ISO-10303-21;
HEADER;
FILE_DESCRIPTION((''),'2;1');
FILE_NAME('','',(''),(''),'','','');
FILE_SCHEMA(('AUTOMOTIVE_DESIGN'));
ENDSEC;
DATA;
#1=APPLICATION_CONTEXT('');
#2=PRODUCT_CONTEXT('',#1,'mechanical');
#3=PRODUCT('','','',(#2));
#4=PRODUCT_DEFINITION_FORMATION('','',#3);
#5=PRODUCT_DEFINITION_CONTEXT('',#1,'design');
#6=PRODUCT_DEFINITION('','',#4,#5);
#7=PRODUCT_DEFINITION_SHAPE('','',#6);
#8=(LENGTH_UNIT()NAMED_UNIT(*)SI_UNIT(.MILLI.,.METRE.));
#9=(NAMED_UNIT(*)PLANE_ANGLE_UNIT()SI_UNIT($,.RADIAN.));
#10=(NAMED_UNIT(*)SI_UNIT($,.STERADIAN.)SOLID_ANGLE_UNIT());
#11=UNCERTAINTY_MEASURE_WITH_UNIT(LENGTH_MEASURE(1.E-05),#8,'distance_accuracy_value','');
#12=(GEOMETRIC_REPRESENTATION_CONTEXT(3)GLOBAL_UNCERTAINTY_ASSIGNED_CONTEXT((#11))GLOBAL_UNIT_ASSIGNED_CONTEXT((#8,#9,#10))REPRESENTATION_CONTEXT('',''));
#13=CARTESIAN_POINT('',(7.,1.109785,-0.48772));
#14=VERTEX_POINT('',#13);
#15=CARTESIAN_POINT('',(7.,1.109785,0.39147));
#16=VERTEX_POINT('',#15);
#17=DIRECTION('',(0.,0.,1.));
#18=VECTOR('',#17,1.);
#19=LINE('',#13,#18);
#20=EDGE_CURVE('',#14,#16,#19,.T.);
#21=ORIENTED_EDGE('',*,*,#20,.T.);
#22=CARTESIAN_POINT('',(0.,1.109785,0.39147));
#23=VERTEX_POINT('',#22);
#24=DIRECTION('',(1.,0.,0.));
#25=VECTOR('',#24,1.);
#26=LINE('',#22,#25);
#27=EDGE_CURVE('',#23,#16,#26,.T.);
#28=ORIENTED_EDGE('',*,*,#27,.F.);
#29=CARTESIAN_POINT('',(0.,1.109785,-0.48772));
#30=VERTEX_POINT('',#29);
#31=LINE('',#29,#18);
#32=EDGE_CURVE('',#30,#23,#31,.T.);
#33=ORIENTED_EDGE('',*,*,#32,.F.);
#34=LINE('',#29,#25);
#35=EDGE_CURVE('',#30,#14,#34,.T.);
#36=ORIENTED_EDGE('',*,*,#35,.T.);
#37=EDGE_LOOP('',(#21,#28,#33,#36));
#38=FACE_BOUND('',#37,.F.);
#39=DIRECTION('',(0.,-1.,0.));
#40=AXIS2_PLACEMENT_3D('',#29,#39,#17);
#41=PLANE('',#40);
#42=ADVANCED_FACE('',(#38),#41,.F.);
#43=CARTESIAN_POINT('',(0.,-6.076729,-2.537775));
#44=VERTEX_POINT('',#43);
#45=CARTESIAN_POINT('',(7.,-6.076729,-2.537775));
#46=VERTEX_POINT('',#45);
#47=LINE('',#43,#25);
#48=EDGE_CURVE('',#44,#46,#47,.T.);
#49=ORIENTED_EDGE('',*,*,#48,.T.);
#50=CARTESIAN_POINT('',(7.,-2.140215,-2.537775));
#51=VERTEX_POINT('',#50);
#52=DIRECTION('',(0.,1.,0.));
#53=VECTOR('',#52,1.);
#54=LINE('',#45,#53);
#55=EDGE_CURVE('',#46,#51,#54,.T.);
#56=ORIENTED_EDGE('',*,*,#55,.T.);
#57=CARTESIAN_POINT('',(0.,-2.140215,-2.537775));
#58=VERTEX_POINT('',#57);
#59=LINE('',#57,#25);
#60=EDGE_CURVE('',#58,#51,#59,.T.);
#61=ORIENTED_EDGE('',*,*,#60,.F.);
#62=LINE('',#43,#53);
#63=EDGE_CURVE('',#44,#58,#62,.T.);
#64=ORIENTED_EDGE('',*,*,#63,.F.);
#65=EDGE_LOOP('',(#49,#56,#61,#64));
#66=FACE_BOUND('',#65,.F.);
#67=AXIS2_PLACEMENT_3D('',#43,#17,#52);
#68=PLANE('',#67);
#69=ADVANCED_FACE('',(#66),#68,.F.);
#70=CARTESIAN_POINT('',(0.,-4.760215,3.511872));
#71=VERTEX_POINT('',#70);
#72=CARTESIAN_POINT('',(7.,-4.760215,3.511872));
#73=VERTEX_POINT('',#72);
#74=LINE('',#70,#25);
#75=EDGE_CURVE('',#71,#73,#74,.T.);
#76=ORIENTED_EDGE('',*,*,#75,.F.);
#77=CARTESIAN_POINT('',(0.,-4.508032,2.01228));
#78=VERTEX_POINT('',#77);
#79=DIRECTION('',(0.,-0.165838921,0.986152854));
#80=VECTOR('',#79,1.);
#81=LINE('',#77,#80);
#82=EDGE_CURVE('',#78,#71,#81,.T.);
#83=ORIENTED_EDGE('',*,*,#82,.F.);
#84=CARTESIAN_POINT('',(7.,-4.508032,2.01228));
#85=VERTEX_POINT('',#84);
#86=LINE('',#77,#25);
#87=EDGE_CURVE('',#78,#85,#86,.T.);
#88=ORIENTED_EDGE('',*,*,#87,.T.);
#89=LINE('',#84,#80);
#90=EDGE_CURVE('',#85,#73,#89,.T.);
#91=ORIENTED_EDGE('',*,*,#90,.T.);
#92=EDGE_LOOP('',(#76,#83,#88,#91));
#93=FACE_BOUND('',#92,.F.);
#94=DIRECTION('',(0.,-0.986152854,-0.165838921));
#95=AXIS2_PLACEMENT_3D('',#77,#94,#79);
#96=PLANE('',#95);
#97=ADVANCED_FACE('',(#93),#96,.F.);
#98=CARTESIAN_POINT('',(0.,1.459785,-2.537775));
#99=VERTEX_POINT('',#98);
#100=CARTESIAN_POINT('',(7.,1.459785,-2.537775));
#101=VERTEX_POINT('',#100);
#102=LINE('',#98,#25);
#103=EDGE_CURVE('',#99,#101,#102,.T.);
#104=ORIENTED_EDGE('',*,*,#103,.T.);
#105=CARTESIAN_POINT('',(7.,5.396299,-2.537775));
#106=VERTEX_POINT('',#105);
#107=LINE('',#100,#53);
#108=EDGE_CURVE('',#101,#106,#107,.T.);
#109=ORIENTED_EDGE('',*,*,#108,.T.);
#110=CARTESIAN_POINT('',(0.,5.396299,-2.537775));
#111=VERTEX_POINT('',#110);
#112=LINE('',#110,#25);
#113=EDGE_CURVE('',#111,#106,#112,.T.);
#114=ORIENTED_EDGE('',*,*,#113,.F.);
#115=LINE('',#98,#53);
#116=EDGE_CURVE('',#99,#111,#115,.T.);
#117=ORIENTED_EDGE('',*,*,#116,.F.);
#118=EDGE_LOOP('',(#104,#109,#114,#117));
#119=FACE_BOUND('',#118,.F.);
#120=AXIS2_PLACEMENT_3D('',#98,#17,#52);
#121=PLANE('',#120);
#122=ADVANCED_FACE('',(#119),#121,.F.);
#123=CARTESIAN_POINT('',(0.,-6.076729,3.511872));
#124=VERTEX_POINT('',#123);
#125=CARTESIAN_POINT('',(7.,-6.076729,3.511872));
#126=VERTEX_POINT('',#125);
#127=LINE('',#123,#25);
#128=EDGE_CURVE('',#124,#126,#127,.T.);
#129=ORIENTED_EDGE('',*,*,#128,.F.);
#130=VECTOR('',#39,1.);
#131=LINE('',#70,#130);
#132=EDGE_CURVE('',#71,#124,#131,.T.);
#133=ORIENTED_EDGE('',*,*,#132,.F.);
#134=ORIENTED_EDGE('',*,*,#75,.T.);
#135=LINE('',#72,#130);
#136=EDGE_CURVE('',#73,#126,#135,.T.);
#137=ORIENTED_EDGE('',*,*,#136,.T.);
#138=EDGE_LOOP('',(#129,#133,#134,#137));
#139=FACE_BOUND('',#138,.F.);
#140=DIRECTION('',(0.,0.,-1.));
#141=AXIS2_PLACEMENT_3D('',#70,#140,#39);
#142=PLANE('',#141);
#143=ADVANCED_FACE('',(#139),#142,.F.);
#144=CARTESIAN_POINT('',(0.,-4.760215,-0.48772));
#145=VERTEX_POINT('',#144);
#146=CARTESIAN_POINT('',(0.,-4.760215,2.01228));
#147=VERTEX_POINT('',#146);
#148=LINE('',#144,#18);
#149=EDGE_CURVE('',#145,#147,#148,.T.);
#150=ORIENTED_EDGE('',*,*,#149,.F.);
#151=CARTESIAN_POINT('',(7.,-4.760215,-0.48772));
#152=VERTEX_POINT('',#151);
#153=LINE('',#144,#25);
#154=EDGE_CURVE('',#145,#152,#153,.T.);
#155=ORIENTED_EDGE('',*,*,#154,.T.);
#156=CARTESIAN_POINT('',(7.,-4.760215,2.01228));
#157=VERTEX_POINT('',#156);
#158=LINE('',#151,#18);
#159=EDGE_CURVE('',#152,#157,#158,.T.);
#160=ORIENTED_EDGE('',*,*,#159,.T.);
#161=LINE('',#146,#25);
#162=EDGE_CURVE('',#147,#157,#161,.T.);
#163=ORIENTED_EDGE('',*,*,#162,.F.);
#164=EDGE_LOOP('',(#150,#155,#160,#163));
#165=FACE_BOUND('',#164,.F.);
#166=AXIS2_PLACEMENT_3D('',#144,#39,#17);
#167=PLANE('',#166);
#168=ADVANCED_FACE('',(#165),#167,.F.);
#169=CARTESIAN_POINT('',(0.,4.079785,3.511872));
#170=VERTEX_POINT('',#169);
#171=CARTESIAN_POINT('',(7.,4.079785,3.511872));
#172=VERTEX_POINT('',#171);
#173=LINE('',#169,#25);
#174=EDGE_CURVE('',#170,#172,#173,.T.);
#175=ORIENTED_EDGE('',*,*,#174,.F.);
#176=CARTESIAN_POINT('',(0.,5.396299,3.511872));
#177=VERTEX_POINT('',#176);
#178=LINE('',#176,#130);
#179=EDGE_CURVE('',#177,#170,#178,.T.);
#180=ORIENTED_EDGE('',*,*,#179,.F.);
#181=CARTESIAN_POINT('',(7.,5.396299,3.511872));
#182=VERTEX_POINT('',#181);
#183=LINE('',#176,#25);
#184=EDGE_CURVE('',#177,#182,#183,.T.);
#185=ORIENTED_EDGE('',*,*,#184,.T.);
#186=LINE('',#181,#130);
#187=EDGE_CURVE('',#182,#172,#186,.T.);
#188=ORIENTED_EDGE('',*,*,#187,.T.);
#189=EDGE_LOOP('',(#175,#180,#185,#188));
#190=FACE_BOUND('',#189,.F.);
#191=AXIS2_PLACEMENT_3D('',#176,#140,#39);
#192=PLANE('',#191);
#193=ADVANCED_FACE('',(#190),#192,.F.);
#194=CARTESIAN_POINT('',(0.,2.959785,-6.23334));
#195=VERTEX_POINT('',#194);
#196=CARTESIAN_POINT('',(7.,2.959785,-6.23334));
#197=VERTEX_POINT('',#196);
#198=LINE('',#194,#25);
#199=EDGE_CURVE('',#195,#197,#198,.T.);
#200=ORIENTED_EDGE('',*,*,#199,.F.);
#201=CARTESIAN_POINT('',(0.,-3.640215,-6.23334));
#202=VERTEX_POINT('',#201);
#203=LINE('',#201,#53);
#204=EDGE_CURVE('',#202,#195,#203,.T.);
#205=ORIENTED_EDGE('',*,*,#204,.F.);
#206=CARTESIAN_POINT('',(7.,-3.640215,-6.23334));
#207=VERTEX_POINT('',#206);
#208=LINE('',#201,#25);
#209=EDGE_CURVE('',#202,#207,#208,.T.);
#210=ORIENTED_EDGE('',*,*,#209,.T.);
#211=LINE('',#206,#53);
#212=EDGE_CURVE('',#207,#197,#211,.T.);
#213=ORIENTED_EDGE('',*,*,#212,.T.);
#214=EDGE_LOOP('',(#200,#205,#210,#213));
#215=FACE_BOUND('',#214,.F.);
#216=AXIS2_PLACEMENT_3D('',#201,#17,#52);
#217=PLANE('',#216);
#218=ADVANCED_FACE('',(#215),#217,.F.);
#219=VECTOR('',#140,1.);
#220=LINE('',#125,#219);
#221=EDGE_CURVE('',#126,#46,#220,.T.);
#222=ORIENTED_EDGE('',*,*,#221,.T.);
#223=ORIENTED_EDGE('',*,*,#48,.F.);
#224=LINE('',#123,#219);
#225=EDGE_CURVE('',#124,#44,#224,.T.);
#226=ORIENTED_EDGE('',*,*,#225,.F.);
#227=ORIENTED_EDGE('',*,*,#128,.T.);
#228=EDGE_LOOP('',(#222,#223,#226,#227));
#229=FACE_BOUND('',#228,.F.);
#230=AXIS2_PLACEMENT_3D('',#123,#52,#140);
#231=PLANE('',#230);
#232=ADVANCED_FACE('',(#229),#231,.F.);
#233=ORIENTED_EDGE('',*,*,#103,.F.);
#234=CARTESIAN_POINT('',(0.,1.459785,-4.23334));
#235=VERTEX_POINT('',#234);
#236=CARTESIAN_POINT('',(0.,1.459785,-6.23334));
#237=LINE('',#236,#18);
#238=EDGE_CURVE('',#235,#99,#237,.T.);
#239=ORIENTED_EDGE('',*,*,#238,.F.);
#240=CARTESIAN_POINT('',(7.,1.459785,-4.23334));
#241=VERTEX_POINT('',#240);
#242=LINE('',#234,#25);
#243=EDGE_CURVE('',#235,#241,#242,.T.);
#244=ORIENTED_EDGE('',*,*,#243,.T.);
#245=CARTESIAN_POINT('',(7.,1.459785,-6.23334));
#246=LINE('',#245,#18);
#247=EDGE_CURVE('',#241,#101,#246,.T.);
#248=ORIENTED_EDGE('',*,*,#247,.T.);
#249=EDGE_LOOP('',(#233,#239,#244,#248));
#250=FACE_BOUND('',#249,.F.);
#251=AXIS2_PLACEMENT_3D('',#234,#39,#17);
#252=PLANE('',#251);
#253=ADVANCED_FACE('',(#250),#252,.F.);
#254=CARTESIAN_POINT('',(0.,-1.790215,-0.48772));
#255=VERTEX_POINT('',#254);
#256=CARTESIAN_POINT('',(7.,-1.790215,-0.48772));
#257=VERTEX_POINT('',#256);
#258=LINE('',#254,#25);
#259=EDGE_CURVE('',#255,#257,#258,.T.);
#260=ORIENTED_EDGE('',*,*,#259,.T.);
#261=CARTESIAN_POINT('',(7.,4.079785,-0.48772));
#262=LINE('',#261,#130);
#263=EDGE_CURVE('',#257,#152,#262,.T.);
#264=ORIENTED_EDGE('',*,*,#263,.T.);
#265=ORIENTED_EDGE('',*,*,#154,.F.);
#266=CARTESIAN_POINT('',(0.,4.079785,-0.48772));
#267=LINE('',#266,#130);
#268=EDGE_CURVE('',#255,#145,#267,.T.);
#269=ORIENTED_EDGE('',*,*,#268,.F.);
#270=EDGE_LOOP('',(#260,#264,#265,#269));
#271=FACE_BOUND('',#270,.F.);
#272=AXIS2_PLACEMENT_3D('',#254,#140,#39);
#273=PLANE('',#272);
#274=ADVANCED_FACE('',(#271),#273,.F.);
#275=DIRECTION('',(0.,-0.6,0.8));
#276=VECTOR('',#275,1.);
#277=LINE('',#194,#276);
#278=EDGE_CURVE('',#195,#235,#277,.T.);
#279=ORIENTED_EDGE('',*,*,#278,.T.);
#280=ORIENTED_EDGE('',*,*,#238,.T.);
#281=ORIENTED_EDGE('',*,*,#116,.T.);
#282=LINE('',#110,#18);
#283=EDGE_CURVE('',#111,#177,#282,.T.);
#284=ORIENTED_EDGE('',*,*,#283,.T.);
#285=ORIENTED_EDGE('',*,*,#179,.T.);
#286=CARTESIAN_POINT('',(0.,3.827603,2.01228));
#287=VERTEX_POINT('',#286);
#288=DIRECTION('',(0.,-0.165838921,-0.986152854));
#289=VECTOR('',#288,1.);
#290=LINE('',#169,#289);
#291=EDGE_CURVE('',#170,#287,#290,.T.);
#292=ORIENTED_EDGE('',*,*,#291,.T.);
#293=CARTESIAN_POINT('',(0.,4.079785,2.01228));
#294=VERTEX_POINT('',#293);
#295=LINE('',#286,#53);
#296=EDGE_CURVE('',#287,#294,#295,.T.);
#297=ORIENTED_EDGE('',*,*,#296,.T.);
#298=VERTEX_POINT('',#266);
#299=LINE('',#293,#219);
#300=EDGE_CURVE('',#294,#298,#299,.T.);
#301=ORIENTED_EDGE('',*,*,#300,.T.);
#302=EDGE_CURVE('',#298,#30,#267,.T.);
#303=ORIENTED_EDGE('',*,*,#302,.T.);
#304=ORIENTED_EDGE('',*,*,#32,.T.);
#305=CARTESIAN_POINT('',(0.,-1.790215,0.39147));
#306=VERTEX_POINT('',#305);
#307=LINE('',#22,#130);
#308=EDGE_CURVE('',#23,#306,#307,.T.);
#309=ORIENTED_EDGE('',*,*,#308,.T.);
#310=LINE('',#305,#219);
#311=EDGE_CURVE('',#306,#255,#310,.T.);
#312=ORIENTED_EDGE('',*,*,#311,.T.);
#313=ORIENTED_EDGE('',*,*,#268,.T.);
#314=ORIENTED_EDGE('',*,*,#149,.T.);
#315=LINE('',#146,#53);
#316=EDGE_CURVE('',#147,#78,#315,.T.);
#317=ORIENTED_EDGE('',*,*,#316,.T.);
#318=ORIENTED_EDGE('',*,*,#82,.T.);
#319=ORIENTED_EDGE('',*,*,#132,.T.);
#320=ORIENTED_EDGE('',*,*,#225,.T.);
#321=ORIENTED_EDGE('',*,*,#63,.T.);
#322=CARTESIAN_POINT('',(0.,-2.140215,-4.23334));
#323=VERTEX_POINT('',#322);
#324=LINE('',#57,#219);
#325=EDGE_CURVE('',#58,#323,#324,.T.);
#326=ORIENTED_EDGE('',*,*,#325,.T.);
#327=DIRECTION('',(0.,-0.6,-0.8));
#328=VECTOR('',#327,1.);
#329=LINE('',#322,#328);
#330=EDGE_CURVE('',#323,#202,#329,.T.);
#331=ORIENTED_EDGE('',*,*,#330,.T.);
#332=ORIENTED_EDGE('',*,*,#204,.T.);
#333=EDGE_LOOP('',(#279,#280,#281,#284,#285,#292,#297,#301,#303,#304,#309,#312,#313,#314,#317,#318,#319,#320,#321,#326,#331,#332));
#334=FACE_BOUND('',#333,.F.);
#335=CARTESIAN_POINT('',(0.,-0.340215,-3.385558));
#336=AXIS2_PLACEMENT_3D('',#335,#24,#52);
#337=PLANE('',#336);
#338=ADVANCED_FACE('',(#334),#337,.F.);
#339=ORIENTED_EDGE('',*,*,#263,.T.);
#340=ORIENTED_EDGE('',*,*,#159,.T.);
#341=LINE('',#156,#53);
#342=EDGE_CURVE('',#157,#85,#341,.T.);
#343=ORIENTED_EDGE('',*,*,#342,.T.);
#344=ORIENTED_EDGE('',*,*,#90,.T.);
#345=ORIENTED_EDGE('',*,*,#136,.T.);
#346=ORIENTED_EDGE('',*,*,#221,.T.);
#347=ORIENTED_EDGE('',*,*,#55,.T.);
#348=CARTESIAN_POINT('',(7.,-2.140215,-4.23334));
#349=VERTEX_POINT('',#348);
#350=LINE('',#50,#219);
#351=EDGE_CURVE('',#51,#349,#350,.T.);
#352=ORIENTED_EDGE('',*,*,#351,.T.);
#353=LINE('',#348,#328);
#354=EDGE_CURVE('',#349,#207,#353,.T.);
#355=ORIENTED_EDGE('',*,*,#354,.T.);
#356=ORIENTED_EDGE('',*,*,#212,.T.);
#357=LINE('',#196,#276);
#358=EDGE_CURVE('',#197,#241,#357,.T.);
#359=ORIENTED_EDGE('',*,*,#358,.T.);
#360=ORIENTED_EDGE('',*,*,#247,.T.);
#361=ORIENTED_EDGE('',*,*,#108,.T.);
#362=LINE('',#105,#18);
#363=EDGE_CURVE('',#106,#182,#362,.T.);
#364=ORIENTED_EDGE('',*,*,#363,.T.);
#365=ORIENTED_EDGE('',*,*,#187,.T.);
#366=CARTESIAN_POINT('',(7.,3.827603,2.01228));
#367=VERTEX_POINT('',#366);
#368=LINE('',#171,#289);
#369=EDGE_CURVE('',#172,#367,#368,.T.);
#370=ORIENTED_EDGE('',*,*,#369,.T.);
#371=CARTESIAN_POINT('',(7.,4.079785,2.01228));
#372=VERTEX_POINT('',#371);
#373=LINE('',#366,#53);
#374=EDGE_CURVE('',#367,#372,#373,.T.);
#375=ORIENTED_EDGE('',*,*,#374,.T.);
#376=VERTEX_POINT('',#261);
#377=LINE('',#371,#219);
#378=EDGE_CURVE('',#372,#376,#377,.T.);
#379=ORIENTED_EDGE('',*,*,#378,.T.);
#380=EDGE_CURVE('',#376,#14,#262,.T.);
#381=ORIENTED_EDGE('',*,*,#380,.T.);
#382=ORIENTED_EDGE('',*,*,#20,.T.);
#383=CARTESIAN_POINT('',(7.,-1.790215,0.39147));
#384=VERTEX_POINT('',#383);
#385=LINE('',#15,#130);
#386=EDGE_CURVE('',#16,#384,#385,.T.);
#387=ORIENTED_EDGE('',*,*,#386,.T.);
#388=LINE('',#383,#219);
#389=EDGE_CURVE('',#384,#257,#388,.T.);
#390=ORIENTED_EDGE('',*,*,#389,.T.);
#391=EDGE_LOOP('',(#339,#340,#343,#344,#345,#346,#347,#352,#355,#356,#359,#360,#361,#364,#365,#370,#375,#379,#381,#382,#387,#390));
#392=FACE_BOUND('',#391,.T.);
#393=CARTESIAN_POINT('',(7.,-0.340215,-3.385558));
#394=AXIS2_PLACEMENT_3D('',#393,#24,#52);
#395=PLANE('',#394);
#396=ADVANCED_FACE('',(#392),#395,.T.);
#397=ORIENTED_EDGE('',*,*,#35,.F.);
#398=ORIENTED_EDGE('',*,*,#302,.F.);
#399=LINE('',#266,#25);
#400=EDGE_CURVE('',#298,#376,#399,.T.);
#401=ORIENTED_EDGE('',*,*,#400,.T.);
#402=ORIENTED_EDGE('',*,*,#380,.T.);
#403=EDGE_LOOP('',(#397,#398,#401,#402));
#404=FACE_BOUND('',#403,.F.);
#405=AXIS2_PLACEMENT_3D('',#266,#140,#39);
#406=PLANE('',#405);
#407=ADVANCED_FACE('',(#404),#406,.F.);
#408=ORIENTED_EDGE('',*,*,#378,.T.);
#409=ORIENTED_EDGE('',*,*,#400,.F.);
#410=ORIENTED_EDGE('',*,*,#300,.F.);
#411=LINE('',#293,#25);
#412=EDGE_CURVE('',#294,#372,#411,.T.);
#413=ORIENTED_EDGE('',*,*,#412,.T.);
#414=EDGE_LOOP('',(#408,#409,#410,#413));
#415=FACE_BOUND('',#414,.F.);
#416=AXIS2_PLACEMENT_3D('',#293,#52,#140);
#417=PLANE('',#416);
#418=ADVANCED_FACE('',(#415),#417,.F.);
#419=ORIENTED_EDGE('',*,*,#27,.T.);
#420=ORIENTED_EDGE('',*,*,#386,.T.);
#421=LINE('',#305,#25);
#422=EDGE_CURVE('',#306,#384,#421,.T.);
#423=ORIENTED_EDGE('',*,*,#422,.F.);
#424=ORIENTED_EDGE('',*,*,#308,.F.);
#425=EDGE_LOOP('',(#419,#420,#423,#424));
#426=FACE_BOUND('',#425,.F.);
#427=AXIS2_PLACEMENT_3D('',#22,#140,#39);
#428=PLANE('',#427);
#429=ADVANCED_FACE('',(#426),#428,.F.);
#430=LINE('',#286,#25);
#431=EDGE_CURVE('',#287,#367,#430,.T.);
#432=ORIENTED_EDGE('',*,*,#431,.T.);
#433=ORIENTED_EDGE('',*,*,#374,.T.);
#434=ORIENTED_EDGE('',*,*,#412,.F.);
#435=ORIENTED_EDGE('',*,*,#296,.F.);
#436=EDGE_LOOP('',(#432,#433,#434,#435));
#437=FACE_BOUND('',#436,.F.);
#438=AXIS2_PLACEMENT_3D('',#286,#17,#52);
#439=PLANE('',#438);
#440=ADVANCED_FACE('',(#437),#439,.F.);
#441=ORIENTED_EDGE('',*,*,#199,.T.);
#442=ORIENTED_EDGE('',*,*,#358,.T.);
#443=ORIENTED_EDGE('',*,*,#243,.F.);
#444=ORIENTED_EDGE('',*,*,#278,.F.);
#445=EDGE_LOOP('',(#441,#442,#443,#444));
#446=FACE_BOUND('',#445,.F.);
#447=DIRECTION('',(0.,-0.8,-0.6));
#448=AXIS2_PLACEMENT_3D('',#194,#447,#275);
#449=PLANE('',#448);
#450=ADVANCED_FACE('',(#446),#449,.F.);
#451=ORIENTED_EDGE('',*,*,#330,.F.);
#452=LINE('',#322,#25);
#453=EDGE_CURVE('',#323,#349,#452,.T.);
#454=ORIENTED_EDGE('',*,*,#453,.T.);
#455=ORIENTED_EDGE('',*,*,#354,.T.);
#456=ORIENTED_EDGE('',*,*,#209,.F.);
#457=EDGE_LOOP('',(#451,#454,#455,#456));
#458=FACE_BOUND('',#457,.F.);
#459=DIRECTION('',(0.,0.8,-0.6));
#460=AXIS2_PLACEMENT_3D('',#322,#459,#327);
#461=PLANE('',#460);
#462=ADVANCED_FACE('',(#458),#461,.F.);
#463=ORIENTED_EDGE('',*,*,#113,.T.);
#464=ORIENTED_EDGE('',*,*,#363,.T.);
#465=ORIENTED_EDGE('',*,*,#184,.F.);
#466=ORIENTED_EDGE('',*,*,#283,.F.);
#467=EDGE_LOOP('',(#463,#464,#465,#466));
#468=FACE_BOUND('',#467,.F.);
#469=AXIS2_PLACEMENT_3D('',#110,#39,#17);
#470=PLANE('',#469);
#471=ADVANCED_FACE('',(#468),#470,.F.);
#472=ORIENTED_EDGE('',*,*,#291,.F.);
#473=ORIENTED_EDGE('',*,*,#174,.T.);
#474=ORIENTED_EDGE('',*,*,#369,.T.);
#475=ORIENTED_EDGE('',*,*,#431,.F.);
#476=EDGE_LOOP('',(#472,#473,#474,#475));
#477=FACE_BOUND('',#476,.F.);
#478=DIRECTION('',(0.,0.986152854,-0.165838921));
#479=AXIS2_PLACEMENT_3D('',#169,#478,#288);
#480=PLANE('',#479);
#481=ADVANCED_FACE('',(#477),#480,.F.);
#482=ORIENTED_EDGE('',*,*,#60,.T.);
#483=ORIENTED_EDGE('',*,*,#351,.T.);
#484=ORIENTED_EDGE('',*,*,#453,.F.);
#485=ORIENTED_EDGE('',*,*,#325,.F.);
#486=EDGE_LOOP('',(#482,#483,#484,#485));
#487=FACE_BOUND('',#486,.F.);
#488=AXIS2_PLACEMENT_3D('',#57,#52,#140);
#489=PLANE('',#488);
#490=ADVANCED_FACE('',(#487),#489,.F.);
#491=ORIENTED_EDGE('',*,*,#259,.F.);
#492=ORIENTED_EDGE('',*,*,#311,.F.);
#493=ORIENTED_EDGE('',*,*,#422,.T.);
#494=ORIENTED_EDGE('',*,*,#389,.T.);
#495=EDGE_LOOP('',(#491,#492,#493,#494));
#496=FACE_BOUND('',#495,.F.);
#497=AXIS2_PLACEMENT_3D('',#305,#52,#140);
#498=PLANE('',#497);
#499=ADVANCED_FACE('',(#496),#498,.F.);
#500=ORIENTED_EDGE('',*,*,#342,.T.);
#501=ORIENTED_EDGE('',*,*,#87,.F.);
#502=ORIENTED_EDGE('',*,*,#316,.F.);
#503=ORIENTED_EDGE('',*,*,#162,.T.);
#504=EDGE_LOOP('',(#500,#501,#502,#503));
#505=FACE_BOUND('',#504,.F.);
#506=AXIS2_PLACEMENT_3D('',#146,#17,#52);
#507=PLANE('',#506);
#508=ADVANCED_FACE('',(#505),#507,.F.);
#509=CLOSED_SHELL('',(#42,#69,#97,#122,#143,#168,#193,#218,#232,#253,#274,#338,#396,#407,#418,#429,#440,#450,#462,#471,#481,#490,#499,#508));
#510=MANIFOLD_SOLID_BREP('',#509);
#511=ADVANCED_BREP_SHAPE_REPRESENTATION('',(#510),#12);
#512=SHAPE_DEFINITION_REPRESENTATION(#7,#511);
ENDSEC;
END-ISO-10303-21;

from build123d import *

# Parameters (mm, degrees)
F0_W     = 3.6
F0_H     = 1.6955656027
F0_H_2   = 2
F1_DEPTH = 7


with BuildPart() as f1:
    # F0 (on Right) → F1 (new body)
    with BuildSketch(Plane.YZ):
        with Locations((-0.3402145463, -3.3855575087)):
            Rectangle(F0_W, F0_H)
        with Locations((-0.3402145463, -5.2333403101)):
            Rectangle(F0_W, F0_H_2)
        Polygon((-2.1402145463, -6.2333403101), (-2.1402145463, -4.2333403101), (-3.6402145463, -6.2333403101), align=None)
        Polygon((-3.3397897729, -2.5377747074), (-2.1402145463, -2.5377747074), (1.4597854537, -2.5377747074), (2.6593606802, -2.5377747074), (2.6593606802, -0.4877204478), (1.1097854537, -0.4877204478), (-0.3402145463, -0.4877204478), (-1.7902145463, -0.4877204478), (-3.3397897729, -0.4877204478), align=None)
        Polygon((2.9597854537, -6.2333403101), (1.4597854537, -4.2333403101), (1.4597854537, -6.2333403101), align=None)
        Polygon((-3.3402145463, -2.5377747074), (-3.3397897729, -2.5377747074), (-3.3397897729, -0.4877204478), (-4.7602145463, -0.4877204478), (-4.7602145463, 2.0122795522), (-4.508031692, 2.0122795522), (-4.7602145463, 3.5118722885), (-6.076728541, 3.5118722885), (-6.076728541, -2.5377747074), align=None)
        Polygon((2.6593606802, -0.4877204478), (2.6593606802, -2.5377747074), (2.6597854537, -2.5377747074), (5.3962994483, -2.5377747074), (5.3962994483, 3.5118722885), (4.0797854537, 3.5118722885), (3.8276025993, 2.0122795522), (4.0797854537, 2.0122795522), (4.0797854537, -0.4877204478), align=None)
        Polygon((-1.7902145463, 0.3914704144), (-1.7902145463, -0.4877204478), (-0.3402145463, -0.4877204478), (1.1097854537, -0.4877204478), (1.1097854537, 0.3914704144), (-0.3402145463, 0.3914704144), align=None)
    extrude(amount=F1_DEPTH)


solid = f1.part
